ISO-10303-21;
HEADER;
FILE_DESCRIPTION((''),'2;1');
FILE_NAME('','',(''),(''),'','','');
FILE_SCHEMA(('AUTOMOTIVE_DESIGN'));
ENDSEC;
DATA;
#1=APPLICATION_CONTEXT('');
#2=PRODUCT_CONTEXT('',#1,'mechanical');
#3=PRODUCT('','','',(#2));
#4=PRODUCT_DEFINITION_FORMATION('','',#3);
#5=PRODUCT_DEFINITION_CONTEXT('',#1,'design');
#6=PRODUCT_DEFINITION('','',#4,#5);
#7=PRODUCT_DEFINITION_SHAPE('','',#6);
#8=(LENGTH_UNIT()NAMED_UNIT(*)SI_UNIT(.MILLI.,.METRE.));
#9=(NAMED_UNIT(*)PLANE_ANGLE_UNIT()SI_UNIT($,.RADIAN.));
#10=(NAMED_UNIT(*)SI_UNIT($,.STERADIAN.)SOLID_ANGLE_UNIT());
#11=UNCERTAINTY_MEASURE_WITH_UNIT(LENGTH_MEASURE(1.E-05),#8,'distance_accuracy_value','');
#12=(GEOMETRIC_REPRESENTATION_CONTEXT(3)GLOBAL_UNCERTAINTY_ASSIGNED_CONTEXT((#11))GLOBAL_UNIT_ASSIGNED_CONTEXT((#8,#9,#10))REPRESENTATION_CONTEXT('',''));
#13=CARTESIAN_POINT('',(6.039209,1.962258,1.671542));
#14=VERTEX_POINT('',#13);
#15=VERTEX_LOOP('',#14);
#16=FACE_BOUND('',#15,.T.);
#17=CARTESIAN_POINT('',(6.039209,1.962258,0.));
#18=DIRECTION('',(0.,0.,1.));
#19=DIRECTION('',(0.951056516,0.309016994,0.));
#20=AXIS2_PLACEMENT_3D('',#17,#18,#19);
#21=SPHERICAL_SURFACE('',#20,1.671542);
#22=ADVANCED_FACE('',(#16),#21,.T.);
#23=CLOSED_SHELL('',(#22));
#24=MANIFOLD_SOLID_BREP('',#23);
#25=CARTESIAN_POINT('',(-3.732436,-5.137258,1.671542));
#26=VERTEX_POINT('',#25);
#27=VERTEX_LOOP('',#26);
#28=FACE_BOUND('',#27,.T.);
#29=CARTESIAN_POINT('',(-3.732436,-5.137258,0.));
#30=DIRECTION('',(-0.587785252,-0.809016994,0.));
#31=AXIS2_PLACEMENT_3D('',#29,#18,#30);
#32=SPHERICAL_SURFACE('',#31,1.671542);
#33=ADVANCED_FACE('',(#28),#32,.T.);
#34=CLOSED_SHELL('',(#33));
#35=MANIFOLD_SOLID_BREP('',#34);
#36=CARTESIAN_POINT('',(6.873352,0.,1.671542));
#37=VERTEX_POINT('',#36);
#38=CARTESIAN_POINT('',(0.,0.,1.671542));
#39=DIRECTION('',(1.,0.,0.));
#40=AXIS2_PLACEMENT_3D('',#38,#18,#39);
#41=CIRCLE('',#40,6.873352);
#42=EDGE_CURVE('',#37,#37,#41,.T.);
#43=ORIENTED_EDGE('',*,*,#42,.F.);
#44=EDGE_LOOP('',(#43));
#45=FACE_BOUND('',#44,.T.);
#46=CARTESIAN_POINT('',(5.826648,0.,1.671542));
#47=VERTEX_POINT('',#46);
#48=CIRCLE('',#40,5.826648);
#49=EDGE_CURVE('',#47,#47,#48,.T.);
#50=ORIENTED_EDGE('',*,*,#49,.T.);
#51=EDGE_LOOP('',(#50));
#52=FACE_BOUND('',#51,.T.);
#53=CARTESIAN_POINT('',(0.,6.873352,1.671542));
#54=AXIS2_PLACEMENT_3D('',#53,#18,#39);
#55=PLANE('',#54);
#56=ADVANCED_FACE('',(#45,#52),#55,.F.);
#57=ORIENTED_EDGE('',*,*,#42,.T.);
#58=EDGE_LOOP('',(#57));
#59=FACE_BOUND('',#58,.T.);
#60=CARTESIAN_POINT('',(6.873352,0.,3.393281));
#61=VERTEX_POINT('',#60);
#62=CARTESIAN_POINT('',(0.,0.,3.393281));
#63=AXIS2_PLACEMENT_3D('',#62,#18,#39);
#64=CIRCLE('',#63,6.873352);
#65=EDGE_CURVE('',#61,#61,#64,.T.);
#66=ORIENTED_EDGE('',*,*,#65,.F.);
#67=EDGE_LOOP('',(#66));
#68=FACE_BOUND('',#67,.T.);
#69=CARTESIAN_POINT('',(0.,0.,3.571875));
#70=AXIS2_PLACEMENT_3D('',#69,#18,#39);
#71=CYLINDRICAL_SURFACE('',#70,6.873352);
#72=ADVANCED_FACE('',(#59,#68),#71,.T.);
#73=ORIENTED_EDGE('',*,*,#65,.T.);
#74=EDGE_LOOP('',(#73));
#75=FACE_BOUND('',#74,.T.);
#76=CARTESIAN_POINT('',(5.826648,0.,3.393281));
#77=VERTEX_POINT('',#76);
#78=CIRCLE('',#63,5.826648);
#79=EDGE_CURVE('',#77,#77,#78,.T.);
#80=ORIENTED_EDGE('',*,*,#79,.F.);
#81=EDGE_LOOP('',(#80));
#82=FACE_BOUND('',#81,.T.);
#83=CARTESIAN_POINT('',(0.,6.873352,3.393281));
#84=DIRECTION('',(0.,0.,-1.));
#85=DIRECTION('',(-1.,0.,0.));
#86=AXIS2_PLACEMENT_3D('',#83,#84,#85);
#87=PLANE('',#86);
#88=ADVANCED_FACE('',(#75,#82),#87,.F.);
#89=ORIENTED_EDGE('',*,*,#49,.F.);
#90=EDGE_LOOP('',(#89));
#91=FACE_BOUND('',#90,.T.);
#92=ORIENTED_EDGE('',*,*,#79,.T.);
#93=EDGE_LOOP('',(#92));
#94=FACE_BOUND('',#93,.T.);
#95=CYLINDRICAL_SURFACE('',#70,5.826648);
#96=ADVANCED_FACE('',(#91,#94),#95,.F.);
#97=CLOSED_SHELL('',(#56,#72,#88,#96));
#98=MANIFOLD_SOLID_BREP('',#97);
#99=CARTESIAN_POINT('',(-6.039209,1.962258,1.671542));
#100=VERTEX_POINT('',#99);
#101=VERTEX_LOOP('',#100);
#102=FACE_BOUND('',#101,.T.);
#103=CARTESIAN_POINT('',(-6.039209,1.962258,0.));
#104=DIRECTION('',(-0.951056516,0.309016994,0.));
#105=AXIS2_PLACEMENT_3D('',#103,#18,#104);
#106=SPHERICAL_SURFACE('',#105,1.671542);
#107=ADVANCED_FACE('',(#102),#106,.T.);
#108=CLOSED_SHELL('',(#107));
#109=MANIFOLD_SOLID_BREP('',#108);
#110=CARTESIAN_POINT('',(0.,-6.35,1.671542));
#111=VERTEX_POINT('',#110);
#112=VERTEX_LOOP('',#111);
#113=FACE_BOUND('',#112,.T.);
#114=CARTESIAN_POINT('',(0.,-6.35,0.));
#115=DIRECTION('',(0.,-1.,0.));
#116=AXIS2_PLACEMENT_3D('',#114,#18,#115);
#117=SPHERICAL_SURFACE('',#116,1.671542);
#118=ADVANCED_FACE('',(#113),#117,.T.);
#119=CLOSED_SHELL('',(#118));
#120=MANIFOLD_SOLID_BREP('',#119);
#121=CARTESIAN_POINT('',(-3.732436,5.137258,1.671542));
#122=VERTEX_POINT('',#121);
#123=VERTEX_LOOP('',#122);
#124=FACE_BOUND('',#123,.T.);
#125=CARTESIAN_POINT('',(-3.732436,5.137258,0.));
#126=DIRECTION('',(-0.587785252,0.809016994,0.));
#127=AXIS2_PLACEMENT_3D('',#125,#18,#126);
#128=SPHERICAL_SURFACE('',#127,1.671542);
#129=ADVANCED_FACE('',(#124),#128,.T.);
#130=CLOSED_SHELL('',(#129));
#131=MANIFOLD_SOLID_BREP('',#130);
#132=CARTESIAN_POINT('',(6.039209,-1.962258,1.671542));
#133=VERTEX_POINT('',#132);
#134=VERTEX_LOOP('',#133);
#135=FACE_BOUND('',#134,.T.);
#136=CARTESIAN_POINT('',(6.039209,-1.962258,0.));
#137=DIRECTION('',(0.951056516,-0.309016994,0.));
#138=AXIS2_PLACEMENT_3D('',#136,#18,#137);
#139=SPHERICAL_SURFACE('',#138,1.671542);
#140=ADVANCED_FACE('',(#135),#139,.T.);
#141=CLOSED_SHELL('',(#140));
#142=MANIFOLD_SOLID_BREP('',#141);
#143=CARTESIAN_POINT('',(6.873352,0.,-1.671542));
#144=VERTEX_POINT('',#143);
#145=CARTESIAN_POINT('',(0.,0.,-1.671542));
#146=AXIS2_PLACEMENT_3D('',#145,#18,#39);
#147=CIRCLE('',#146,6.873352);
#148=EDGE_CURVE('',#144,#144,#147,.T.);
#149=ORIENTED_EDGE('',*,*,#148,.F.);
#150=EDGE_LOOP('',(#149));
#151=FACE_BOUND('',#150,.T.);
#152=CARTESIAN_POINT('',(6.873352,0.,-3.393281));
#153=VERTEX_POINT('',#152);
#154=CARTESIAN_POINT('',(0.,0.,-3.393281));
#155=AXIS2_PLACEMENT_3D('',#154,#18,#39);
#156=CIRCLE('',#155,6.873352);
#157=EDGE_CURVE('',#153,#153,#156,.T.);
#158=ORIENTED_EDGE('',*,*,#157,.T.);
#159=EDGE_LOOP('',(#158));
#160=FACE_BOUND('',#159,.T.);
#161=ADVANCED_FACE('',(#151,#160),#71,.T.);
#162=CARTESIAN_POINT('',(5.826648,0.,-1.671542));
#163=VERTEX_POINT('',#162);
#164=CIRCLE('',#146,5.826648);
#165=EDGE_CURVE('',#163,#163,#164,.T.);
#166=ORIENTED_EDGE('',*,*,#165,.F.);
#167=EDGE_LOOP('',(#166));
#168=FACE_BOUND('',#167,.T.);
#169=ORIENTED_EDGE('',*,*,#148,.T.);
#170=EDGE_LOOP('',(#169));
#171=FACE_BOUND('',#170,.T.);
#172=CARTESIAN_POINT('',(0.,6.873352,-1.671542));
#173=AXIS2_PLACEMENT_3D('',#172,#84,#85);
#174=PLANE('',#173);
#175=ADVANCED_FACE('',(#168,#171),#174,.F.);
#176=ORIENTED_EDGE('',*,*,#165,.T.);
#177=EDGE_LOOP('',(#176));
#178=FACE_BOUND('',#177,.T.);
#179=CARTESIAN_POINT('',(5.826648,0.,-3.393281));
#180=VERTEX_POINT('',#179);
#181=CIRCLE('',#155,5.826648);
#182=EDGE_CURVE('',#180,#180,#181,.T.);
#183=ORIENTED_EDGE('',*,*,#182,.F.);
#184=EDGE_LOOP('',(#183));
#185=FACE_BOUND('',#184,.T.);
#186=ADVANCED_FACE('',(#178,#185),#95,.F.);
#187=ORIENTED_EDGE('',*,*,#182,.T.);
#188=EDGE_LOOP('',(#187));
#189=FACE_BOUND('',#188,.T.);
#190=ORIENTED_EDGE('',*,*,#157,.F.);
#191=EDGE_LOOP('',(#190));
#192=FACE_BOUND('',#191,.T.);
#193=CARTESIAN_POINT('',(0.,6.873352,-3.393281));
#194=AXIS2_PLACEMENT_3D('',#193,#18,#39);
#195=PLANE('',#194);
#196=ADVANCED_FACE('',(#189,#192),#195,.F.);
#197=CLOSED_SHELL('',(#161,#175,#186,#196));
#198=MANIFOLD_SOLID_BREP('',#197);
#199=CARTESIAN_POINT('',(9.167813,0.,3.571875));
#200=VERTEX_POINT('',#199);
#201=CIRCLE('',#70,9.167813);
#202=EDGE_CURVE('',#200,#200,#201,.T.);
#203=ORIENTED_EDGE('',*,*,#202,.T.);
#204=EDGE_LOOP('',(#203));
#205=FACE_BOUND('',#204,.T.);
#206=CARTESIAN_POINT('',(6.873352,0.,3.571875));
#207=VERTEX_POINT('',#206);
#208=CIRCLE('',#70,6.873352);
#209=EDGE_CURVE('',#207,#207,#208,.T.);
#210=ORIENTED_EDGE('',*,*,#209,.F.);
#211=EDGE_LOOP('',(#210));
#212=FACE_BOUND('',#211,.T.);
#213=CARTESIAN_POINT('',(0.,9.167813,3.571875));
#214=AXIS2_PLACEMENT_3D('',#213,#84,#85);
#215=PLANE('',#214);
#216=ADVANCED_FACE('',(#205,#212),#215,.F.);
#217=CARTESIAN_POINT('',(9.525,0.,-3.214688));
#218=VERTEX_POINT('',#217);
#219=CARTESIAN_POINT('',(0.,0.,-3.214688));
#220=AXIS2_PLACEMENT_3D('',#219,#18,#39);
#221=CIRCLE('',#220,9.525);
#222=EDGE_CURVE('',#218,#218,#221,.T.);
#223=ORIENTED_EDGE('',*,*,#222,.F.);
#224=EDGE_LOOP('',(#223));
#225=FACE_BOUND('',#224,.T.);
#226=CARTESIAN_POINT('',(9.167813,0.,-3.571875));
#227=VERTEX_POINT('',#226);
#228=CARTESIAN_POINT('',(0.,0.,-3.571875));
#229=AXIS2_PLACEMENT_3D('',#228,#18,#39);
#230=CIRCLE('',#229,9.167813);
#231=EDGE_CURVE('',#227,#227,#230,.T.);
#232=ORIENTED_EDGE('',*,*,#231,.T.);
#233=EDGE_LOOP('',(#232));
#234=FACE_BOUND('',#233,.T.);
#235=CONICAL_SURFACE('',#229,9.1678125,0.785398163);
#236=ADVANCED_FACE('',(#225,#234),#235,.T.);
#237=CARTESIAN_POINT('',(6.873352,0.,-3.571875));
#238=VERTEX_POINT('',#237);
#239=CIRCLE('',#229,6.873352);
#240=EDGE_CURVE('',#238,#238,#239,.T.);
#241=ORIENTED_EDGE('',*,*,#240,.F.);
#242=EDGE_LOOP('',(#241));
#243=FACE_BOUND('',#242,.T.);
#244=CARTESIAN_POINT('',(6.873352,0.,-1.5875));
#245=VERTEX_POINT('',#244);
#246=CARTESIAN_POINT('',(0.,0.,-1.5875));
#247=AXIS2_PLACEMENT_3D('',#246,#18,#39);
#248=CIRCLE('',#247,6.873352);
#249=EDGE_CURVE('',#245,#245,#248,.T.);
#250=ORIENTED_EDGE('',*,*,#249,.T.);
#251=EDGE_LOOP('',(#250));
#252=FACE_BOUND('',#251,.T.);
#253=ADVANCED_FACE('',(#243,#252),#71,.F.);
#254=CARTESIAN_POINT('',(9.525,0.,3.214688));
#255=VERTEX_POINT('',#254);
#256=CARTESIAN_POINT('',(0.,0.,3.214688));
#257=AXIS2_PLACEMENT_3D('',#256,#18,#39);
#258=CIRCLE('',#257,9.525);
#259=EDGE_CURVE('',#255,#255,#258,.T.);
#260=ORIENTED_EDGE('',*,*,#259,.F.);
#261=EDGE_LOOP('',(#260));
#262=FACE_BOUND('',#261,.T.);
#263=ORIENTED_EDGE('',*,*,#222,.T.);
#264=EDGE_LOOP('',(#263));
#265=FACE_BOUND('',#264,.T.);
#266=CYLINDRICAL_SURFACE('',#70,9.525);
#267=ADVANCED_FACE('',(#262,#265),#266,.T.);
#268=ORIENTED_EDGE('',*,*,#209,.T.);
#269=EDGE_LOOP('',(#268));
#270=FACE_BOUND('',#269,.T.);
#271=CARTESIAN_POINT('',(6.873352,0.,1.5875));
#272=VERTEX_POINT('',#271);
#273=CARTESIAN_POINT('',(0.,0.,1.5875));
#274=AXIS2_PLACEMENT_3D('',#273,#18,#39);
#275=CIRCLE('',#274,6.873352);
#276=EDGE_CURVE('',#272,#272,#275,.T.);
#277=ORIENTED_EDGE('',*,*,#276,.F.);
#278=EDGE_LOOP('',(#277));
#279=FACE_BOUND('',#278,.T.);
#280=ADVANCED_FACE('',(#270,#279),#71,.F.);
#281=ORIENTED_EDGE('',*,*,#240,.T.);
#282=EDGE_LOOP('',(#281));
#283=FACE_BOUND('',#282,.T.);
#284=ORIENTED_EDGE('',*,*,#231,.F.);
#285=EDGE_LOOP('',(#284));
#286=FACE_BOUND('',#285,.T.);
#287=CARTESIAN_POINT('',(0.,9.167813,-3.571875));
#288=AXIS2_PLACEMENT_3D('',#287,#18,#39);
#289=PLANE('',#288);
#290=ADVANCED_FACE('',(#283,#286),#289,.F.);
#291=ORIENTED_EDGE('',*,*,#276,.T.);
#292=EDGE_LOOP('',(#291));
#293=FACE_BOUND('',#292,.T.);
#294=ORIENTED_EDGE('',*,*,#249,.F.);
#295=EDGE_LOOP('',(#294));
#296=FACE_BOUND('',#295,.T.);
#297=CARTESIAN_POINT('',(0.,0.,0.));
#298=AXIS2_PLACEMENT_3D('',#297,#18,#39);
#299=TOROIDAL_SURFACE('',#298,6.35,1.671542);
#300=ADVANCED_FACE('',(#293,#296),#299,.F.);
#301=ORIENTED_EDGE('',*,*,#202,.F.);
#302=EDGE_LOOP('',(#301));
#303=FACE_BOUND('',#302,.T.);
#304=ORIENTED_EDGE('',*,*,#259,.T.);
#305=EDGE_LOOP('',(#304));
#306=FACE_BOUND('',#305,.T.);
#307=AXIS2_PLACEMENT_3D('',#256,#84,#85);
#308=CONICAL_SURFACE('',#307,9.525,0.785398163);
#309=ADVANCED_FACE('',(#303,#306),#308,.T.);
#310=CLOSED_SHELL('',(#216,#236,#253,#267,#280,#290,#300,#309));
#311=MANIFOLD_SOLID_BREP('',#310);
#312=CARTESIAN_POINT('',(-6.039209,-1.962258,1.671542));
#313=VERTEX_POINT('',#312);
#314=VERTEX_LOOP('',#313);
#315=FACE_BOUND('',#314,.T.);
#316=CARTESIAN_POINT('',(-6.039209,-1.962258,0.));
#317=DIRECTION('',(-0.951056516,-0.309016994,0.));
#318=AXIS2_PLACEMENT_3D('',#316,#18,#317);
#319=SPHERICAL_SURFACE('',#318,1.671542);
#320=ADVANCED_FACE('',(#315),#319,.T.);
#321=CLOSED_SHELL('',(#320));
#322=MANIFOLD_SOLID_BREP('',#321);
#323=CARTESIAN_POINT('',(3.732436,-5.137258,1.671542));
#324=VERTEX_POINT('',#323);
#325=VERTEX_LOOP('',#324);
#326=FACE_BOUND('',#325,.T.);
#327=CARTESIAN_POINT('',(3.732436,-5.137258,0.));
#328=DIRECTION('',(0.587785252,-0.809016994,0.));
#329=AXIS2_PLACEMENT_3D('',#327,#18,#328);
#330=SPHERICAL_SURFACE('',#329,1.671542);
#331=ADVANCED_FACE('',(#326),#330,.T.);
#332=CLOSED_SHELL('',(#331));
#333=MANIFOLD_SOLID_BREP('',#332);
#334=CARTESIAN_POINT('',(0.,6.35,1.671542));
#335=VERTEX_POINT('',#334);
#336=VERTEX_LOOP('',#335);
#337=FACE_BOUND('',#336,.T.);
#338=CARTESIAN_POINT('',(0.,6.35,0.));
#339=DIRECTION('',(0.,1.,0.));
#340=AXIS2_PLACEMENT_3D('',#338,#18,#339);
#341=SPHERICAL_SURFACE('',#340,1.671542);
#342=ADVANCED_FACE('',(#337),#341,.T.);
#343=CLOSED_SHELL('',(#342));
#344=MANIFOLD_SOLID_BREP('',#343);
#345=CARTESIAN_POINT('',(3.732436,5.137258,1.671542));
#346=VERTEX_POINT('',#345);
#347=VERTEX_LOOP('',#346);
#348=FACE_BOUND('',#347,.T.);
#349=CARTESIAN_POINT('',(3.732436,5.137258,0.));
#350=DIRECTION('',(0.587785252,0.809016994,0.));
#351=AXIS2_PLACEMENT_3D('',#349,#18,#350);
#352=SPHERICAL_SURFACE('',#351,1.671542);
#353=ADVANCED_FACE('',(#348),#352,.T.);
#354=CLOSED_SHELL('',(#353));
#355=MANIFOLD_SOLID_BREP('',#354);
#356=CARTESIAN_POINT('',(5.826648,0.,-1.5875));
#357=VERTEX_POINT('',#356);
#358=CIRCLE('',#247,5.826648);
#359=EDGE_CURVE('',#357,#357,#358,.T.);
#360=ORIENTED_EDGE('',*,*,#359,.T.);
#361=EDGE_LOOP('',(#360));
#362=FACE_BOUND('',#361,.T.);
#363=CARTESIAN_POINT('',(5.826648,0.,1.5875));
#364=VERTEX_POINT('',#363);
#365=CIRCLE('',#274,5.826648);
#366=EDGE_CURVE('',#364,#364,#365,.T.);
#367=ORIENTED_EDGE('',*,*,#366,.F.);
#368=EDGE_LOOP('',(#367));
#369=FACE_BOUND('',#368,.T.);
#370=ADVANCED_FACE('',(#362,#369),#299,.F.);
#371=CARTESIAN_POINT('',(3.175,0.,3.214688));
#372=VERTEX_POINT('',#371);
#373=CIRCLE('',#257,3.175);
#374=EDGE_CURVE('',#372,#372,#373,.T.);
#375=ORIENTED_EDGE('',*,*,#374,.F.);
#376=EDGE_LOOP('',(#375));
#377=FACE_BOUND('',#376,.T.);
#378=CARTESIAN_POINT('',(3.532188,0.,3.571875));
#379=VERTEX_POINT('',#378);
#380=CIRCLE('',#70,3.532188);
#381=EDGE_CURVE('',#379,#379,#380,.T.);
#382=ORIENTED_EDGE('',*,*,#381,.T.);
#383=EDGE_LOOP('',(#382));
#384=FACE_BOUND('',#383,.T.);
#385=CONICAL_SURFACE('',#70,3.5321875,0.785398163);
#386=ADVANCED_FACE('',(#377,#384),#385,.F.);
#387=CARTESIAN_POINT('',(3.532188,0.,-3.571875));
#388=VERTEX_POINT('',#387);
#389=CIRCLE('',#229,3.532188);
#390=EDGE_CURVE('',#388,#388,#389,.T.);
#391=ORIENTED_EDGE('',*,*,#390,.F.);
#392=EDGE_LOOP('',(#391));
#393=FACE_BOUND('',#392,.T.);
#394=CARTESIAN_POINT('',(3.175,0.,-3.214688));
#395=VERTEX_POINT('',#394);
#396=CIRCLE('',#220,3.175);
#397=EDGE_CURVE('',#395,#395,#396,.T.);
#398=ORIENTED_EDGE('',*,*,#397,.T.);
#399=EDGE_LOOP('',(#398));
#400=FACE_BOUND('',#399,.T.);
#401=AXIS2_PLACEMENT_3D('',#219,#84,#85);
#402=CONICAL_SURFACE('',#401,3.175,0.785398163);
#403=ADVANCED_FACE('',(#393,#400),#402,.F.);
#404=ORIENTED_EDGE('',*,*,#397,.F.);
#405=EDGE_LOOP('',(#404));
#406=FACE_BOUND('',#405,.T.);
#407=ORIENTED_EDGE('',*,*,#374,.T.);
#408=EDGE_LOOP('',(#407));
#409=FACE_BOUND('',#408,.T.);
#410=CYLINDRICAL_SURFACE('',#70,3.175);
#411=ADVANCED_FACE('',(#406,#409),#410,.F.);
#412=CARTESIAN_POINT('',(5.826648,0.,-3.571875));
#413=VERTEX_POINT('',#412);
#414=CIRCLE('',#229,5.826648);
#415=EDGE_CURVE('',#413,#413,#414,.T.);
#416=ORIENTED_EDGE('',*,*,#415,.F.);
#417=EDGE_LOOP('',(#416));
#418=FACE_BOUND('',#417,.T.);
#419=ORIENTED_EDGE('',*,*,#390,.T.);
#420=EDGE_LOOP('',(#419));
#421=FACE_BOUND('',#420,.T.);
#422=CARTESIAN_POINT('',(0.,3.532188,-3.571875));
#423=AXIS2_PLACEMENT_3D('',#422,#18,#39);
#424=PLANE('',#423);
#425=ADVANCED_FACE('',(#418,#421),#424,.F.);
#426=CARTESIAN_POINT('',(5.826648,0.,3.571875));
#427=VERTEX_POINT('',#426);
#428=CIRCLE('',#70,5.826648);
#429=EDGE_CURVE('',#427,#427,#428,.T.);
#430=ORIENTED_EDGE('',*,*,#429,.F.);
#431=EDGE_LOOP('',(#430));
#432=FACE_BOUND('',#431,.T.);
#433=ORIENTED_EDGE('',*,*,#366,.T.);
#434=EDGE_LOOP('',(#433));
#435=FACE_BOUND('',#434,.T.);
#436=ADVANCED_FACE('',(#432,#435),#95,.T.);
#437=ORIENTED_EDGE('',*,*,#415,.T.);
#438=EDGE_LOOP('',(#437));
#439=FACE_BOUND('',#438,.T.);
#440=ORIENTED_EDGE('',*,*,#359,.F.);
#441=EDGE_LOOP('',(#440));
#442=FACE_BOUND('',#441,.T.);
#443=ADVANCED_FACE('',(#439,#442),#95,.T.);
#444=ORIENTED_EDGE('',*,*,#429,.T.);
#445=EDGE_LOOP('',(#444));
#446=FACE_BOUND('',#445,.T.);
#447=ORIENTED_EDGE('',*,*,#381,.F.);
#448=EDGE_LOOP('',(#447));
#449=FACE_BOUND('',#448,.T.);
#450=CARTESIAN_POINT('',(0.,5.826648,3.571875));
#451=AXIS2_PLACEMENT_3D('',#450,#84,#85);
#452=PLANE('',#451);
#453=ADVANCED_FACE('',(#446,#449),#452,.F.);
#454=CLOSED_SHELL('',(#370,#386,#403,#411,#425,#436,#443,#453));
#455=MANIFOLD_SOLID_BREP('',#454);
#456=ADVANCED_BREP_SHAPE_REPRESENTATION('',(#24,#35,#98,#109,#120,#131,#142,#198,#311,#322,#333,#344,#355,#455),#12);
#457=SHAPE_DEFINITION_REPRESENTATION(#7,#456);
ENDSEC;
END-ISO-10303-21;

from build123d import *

# Parameters (mm, degrees)
CIRPATTERN1_COUNT = 10
SKETCH5_W         = 1.721739088
SKETCH5_H         = 1.046703296


with BuildPart() as part:
    # Sketch1 → Revolve1 (revolve)
    with BuildSketch(Plane(origin=(0, 0, 0), x_dir=(0, 0, -1), z_dir=(1, 0, 0))):
        with BuildLine():
            Line((3.2146875, 9.525), (-3.2146875, 9.525))
            Line((-3.2146875, 9.525), (-3.571875, 9.1678125))
            Line((-3.571875, 9.1678125), (-3.571875, 6.873351648))
            Line((-3.571875, 6.873351648), (-1.5875, 6.873351648))
            ThreePointArc((-1.5875, 6.873351648), (0, 8.021542162), (1.5875, 6.873351648))
            Line((1.5875, 6.873351648), (3.571875, 6.873351648))
            Line((3.571875, 6.873351648), (3.571875, 9.1678125))
            Line((3.571875, 9.1678125), (3.2146875, 9.525))
        make_face()
    revolve(axis=Axis((0, 0, 3.571875), (0, 0, -1)))


with BuildPart() as body_2:
    # Sketch3 → Revolve3 (revolve)
    with BuildSketch(Plane(origin=(0, 0, 0), x_dir=(0, 0, -1), z_dir=(1, 0, 0))):
        with BuildLine():
            Line((-3.571875, 5.826648352), (-1.5875, 5.826648352))
            ThreePointArc((-1.5875, 5.826648352), (0, 4.678457838), (1.5875, 5.826648352))
            Line((1.5875, 5.826648352), (3.571875, 5.826648352))
            Line((3.571875, 5.826648352), (3.571875, 3.5321875))
            Line((3.571875, 3.5321875), (3.2146875, 3.175))
            Line((3.2146875, 3.175), (-3.2146875, 3.175))
            Line((-3.2146875, 3.175), (-3.571875, 3.5321875))
            Line((-3.571875, 3.5321875), (-3.571875, 5.826648352))
        make_face()
    revolve(axis=Axis((0, 0, 3.571875), (0, 0, -1)))


with BuildPart() as body_3:
    # Sketch4 → Revolve4 (revolve)
    with BuildSketch(Plane(origin=(0, 0, 0), x_dir=(0, 0, -1), z_dir=(1, 0, 0))):
        with BuildLine():
            Line((-1.671542162, 6.35), (1.671542162, 6.35))
            ThreePointArc((1.671542162, 6.35), (0, 8.021542162), (-1.671542162, 6.35))
        make_face()
    revolve(axis=Axis((0, 6.35, 1.671542162), (0, 0, -1)))


with BuildPart() as cirpattern1_1:
    # CirPattern1: pattern copy
    add(body_3.part.rotate(Axis((0, 0, -3.571875), (0, 0, 1)), 1 * 360 / CIRPATTERN1_COUNT))


with BuildPart() as cirpattern1_2:
    # CirPattern1: pattern copy
    add(body_3.part.rotate(Axis((0, 0, -3.571875), (0, 0, 1)), 2 * 360 / CIRPATTERN1_COUNT))


with BuildPart() as cirpattern1_3:
    # CirPattern1: pattern copy
    add(body_3.part.rotate(Axis((0, 0, -3.571875), (0, 0, 1)), 3 * 360 / CIRPATTERN1_COUNT))


with BuildPart() as cirpattern1_4:
    # CirPattern1: pattern copy
    add(body_3.part.rotate(Axis((0, 0, -3.571875), (0, 0, 1)), 4 * 360 / CIRPATTERN1_COUNT))


with BuildPart() as cirpattern1_5:
    # CirPattern1: pattern copy
    add(body_3.part.rotate(Axis((0, 0, -3.571875), (0, 0, 1)), 5 * 360 / CIRPATTERN1_COUNT))


with BuildPart() as cirpattern1_6:
    # CirPattern1: pattern copy
    add(body_3.part.rotate(Axis((0, 0, -3.571875), (0, 0, 1)), 6 * 360 / CIRPATTERN1_COUNT))


with BuildPart() as cirpattern1_7:
    # CirPattern1: pattern copy
    add(body_3.part.rotate(Axis((0, 0, -3.571875), (0, 0, 1)), 7 * 360 / CIRPATTERN1_COUNT))


with BuildPart() as cirpattern1_8:
    # CirPattern1: pattern copy
    add(body_3.part.rotate(Axis((0, 0, -3.571875), (0, 0, 1)), 8 * 360 / CIRPATTERN1_COUNT))


with BuildPart() as cirpattern1_9:
    # CirPattern1: pattern copy
    add(body_3.part.rotate(Axis((0, 0, -3.571875), (0, 0, 1)), 9 * 360 / CIRPATTERN1_COUNT))


with BuildPart() as body_13:
    # Sketch5 → Revolve5 (revolve)
    with BuildSketch(Plane(origin=(0, 0, 0), x_dir=(0, 0, -1), z_dir=(1, 0, 0))):
        with Locations((-2.532411706, 6.35)):
            Rectangle(SKETCH5_W, SKETCH5_H)
        with Locations((2.532411706, 6.35)):
            Rectangle(SKETCH5_W, SKETCH5_H)
    revolve(axis=Axis((0, 0, 3.571875), (0, 0, -1)))


solid = Compound([part.part, body_2.part, body_3.part, cirpattern1_1.part, cirpattern1_2.part, cirpattern1_3.part, cirpattern1_4.part, cirpattern1_5.part, cirpattern1_6.part, cirpattern1_7.part, cirpattern1_8.part, cirpattern1_9.part, body_13.part])
